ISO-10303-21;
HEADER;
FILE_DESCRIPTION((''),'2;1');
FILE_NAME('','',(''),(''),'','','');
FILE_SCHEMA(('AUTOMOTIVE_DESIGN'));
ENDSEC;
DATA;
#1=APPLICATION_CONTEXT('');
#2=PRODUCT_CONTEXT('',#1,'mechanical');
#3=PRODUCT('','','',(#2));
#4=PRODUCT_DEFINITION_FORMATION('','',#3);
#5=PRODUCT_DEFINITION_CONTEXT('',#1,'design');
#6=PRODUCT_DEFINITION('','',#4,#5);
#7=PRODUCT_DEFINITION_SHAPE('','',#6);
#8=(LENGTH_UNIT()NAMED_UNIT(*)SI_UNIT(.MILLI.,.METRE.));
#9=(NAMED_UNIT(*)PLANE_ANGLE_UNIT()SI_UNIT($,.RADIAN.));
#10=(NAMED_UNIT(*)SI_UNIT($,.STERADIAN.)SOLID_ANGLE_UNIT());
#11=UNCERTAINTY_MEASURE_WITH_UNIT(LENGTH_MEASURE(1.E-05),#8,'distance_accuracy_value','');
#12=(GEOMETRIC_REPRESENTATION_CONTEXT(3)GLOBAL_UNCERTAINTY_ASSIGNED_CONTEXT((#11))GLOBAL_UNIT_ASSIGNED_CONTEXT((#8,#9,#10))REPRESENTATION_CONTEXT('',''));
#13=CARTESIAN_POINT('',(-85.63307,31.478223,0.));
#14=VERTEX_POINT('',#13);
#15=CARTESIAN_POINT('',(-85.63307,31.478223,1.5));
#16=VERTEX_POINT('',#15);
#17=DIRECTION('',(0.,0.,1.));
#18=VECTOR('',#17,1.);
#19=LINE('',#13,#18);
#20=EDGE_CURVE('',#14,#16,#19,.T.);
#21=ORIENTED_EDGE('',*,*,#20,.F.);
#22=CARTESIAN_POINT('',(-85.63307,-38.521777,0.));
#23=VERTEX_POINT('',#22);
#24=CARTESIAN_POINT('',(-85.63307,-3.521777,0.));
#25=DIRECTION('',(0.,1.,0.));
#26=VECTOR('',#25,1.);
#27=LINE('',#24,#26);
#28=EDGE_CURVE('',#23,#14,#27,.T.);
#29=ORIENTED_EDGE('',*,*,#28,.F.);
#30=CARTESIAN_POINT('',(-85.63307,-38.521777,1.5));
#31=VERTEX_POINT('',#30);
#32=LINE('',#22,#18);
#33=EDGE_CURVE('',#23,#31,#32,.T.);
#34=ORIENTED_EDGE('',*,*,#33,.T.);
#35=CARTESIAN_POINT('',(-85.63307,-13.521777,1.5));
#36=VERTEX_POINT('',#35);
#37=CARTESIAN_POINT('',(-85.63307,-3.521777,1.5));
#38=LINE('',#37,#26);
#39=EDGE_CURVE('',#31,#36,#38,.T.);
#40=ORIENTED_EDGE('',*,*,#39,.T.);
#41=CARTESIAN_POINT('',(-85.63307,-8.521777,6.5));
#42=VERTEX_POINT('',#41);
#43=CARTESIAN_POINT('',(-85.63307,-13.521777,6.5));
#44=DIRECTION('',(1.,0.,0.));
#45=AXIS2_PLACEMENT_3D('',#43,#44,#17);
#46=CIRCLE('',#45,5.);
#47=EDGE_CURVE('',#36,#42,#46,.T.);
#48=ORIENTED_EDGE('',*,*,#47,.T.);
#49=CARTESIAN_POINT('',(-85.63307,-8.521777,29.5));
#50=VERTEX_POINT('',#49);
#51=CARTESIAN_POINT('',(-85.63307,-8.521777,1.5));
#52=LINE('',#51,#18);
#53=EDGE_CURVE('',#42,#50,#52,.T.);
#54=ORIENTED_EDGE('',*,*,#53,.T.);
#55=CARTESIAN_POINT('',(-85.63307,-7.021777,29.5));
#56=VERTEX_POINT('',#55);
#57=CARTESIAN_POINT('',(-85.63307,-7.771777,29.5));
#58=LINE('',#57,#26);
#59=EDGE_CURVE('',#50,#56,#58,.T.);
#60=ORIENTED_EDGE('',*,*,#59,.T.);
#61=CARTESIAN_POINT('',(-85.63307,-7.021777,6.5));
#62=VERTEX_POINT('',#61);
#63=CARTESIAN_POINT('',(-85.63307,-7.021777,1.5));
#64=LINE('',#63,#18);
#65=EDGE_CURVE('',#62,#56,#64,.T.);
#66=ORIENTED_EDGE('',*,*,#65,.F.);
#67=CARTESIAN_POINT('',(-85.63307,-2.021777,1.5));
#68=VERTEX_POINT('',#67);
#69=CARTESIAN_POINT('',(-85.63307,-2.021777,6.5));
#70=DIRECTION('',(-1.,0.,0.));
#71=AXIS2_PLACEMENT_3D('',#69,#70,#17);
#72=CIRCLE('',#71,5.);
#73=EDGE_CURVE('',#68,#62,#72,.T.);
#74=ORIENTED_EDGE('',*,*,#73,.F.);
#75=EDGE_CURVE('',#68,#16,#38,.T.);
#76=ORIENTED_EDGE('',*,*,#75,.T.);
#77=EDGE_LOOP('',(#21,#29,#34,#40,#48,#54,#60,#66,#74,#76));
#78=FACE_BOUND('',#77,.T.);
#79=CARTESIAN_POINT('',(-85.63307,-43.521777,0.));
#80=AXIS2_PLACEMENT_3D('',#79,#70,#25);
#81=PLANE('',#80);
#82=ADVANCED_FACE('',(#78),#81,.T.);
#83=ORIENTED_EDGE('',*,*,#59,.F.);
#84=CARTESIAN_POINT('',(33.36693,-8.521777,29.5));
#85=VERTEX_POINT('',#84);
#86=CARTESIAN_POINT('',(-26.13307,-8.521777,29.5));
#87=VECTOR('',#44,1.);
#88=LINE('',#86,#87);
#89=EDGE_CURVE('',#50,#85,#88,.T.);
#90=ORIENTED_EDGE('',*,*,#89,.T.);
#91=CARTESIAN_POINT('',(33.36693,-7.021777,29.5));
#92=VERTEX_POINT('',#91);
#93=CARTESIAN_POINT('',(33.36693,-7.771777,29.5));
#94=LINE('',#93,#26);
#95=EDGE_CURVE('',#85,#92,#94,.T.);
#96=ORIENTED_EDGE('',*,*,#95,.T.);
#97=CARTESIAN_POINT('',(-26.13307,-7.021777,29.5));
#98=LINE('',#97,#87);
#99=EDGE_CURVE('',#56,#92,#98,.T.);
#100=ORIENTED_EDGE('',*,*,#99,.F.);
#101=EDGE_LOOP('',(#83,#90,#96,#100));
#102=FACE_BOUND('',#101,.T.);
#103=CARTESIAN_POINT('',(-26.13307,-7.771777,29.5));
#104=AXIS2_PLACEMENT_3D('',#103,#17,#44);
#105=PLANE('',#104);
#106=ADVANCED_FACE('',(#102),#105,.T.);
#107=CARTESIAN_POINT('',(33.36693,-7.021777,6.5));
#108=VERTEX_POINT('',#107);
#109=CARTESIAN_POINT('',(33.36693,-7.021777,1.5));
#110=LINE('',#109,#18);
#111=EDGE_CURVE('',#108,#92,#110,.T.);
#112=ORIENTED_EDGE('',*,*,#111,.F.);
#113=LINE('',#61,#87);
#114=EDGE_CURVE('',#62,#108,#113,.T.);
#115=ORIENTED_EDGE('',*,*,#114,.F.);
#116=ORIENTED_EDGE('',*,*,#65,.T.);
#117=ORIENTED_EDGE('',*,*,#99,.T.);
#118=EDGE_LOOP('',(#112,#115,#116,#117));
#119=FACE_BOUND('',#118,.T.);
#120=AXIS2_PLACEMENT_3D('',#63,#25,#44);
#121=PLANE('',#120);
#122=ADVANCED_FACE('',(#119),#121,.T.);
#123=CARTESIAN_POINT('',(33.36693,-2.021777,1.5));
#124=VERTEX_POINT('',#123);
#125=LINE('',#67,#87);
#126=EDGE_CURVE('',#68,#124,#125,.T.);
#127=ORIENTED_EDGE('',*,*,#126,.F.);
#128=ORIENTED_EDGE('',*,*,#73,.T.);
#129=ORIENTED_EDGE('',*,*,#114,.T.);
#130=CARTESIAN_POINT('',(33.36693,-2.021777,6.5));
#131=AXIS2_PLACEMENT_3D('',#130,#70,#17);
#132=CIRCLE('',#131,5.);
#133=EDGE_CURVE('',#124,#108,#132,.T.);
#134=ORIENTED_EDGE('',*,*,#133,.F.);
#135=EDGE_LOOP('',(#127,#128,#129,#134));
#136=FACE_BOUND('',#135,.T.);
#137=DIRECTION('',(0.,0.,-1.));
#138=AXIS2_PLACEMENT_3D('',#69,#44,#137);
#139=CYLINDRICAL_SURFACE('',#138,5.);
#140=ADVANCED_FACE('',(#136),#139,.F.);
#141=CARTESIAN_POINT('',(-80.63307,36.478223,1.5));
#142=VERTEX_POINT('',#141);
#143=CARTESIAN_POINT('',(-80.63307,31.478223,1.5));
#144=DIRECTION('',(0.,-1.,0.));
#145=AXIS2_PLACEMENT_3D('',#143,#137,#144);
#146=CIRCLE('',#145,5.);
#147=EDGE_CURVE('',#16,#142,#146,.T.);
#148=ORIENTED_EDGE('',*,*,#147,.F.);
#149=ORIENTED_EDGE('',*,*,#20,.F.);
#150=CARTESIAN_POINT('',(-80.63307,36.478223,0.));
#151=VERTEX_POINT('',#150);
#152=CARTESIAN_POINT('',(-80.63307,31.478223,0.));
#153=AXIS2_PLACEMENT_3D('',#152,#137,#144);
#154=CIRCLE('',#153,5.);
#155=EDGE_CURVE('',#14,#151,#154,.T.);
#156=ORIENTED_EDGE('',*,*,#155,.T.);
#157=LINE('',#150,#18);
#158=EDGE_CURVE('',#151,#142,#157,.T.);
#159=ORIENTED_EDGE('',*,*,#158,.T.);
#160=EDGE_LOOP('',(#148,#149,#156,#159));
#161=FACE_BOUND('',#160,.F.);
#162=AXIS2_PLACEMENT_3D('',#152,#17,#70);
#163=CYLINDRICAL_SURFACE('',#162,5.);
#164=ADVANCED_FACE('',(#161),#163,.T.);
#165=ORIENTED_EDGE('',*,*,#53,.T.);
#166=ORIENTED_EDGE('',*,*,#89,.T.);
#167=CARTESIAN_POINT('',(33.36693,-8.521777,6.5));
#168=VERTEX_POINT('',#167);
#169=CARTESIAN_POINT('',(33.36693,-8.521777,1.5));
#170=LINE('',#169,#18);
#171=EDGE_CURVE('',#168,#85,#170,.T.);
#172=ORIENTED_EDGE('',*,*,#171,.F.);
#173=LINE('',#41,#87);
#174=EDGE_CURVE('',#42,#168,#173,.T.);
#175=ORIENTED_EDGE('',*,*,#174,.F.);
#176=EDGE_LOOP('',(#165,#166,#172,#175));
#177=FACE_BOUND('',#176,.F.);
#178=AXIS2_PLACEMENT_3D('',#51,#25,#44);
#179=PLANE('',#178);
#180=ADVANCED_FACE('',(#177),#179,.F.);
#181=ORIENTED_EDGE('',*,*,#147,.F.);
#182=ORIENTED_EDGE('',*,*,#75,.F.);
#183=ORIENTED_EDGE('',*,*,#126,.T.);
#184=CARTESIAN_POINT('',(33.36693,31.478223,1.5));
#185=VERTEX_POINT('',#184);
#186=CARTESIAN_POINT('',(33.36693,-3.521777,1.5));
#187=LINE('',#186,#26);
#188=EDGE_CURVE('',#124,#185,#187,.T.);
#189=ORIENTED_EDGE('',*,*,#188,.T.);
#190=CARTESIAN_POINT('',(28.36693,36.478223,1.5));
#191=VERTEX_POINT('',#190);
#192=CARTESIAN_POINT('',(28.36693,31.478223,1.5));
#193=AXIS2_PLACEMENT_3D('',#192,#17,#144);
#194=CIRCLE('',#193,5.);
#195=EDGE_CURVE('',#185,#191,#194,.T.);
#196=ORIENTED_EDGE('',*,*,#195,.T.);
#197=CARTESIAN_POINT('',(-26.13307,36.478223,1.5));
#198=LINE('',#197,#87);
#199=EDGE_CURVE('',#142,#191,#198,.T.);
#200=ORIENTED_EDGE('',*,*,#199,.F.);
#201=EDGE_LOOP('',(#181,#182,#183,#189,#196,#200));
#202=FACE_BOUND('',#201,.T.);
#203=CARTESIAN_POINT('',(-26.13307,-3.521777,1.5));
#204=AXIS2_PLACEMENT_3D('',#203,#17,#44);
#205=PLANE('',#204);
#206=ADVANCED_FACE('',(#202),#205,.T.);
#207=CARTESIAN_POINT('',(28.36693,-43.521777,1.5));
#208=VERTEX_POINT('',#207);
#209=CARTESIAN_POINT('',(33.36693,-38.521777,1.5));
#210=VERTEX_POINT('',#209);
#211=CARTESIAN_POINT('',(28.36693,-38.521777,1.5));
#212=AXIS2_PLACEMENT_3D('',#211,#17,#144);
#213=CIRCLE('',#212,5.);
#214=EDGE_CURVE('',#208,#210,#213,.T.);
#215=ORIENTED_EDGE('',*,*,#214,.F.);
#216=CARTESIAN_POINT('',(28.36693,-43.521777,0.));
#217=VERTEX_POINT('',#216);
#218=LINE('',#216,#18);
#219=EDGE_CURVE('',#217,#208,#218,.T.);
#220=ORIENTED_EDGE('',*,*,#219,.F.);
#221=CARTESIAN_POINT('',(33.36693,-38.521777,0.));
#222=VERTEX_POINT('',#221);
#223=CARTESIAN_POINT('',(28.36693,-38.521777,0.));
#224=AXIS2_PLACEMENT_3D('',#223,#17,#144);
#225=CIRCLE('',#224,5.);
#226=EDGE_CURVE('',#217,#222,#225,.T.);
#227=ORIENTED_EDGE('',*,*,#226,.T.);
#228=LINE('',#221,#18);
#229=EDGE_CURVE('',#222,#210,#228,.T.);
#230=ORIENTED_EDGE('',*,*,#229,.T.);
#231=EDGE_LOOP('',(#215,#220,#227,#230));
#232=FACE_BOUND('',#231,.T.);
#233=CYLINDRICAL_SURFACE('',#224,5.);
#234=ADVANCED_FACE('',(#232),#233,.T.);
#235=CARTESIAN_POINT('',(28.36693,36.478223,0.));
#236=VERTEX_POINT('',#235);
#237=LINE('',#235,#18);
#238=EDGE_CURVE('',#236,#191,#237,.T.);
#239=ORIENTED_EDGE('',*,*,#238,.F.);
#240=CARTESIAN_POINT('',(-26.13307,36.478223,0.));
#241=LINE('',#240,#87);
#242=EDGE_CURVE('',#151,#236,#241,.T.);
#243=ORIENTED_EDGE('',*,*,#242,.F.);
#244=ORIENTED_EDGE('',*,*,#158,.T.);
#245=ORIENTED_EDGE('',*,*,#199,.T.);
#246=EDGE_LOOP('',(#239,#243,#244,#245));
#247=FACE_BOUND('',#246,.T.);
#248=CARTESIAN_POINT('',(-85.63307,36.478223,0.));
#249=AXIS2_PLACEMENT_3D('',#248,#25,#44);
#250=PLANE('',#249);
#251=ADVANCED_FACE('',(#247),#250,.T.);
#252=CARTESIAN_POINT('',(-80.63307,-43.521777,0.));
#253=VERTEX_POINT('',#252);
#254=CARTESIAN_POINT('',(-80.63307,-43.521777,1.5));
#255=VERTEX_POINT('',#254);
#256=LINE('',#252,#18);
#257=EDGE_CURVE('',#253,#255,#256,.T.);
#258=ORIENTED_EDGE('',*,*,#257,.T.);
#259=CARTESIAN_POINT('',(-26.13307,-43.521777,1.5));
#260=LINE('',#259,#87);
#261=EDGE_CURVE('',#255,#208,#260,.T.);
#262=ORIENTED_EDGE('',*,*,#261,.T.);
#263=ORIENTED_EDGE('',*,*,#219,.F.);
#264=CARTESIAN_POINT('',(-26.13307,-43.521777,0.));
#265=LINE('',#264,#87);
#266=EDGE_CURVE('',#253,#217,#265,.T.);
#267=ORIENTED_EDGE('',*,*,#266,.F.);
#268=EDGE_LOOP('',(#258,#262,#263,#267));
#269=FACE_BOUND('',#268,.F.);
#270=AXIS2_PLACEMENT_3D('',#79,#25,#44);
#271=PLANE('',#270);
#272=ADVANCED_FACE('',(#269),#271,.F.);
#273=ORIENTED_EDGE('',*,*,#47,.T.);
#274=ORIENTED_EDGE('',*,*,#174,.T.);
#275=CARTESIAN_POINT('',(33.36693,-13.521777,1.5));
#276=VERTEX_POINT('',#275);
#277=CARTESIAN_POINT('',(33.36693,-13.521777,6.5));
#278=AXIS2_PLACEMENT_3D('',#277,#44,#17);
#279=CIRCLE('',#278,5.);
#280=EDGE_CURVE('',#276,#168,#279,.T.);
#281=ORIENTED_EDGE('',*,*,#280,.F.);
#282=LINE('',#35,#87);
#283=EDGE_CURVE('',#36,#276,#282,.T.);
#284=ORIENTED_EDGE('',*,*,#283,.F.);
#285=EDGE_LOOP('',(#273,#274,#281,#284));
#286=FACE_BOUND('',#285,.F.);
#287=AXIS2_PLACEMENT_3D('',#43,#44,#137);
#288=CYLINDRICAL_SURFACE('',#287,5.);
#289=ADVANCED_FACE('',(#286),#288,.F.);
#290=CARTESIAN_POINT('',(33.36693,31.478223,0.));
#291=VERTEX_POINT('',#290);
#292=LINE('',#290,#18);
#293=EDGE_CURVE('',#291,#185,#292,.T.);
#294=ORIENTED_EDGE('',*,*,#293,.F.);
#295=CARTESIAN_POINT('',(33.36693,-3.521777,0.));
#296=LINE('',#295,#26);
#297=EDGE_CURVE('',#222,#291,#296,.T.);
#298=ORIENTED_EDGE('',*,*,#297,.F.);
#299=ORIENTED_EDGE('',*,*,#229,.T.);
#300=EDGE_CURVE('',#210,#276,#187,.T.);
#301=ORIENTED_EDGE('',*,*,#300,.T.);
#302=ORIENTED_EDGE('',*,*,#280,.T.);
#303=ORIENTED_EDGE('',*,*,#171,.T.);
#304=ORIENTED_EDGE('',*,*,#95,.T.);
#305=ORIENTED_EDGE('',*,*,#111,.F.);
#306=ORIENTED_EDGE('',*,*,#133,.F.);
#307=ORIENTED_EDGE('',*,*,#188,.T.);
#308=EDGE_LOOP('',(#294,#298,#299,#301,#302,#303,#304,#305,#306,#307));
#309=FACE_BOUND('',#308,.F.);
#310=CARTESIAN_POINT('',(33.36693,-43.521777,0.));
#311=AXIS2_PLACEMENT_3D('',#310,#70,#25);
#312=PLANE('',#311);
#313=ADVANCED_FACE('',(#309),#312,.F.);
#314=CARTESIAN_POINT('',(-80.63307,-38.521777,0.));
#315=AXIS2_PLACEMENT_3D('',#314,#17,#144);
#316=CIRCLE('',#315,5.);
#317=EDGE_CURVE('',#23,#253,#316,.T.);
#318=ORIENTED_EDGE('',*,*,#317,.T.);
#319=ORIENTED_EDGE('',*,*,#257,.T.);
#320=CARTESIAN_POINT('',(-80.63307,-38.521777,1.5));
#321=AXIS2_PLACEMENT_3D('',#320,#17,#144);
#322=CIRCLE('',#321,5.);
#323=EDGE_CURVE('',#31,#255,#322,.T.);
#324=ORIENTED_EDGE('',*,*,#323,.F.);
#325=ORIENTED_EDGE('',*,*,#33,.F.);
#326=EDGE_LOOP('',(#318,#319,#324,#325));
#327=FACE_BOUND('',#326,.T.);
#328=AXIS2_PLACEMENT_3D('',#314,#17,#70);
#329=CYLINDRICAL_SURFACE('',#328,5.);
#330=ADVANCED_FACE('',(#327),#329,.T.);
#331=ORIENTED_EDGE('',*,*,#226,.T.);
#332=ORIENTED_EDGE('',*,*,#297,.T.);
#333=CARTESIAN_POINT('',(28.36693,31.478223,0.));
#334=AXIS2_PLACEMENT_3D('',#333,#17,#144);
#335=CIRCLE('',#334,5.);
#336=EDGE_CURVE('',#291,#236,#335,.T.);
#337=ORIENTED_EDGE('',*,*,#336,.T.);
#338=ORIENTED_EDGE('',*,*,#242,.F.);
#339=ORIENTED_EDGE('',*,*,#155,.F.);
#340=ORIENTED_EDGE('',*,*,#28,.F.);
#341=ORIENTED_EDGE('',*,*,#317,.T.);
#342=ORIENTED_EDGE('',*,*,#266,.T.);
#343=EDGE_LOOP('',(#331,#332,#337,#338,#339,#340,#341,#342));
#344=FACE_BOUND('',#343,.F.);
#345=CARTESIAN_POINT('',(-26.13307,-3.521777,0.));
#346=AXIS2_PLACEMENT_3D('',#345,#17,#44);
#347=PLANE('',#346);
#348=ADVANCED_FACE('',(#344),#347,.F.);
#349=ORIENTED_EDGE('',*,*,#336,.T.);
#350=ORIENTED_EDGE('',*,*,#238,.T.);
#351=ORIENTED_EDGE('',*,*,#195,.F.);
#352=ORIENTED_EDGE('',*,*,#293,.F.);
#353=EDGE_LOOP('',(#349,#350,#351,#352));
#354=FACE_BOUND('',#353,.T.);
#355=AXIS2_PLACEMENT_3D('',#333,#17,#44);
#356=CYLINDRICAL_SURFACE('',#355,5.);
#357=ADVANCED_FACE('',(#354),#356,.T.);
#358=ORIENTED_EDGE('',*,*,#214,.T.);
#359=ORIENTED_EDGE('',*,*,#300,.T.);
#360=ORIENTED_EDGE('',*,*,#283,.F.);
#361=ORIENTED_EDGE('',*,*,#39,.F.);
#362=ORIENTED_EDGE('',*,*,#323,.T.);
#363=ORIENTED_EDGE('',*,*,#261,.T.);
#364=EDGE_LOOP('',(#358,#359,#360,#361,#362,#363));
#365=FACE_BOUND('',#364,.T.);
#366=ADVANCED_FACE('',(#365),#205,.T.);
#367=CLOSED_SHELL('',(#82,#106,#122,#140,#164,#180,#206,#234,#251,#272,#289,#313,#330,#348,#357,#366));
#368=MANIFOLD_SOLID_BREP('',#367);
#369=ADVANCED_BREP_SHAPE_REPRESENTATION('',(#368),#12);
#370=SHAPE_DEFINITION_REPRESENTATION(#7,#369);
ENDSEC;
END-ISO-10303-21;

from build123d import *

# Parameters (mm, degrees)
F0_W     = 119
F0_H     = 80
F1_DEPTH = 1.5
F2_R     = 5
F3_W     = 119
F3_H     = 1.5
F4_DEPTH = 28
F5_R     = 5


with BuildPart() as f1:
    # F0 (on Top) → F1 (new body)
    with BuildSketch(Plane.XY):
        with Locations((-26.13307, -3.521777)):
            Rectangle(F0_W, F0_H)
    extrude(amount=F1_DEPTH)

    # F2
    f2_edges = [f1.edges().sort_by_distance(p)[0] for p in [
        (33.36693, -43.521777, 0.75),
        (33.36693, 36.478223, 0.75),
        (-85.63307, 36.478223, 0.75),
        (-85.63307, -43.521777, 0.75),
    ]]
    fillet(f2_edges, radius=F2_R)

    # F3 (on face) → F4 (join)
    with BuildSketch(Plane.XY.offset(1.5)):
        with Locations((-26.13307, -7.771777)):
            Rectangle(F3_W, F3_H)
    extrude(amount=F4_DEPTH)

    # F5
    f5_edges = [f1.edges().sort_by_distance(p)[0] for p in [
        (-26.13307, -7.021777, 1.5),
        (-26.13307, -8.521777, 1.5),
    ]]
    fillet(f5_edges, radius=F5_R)


solid = f1.part
